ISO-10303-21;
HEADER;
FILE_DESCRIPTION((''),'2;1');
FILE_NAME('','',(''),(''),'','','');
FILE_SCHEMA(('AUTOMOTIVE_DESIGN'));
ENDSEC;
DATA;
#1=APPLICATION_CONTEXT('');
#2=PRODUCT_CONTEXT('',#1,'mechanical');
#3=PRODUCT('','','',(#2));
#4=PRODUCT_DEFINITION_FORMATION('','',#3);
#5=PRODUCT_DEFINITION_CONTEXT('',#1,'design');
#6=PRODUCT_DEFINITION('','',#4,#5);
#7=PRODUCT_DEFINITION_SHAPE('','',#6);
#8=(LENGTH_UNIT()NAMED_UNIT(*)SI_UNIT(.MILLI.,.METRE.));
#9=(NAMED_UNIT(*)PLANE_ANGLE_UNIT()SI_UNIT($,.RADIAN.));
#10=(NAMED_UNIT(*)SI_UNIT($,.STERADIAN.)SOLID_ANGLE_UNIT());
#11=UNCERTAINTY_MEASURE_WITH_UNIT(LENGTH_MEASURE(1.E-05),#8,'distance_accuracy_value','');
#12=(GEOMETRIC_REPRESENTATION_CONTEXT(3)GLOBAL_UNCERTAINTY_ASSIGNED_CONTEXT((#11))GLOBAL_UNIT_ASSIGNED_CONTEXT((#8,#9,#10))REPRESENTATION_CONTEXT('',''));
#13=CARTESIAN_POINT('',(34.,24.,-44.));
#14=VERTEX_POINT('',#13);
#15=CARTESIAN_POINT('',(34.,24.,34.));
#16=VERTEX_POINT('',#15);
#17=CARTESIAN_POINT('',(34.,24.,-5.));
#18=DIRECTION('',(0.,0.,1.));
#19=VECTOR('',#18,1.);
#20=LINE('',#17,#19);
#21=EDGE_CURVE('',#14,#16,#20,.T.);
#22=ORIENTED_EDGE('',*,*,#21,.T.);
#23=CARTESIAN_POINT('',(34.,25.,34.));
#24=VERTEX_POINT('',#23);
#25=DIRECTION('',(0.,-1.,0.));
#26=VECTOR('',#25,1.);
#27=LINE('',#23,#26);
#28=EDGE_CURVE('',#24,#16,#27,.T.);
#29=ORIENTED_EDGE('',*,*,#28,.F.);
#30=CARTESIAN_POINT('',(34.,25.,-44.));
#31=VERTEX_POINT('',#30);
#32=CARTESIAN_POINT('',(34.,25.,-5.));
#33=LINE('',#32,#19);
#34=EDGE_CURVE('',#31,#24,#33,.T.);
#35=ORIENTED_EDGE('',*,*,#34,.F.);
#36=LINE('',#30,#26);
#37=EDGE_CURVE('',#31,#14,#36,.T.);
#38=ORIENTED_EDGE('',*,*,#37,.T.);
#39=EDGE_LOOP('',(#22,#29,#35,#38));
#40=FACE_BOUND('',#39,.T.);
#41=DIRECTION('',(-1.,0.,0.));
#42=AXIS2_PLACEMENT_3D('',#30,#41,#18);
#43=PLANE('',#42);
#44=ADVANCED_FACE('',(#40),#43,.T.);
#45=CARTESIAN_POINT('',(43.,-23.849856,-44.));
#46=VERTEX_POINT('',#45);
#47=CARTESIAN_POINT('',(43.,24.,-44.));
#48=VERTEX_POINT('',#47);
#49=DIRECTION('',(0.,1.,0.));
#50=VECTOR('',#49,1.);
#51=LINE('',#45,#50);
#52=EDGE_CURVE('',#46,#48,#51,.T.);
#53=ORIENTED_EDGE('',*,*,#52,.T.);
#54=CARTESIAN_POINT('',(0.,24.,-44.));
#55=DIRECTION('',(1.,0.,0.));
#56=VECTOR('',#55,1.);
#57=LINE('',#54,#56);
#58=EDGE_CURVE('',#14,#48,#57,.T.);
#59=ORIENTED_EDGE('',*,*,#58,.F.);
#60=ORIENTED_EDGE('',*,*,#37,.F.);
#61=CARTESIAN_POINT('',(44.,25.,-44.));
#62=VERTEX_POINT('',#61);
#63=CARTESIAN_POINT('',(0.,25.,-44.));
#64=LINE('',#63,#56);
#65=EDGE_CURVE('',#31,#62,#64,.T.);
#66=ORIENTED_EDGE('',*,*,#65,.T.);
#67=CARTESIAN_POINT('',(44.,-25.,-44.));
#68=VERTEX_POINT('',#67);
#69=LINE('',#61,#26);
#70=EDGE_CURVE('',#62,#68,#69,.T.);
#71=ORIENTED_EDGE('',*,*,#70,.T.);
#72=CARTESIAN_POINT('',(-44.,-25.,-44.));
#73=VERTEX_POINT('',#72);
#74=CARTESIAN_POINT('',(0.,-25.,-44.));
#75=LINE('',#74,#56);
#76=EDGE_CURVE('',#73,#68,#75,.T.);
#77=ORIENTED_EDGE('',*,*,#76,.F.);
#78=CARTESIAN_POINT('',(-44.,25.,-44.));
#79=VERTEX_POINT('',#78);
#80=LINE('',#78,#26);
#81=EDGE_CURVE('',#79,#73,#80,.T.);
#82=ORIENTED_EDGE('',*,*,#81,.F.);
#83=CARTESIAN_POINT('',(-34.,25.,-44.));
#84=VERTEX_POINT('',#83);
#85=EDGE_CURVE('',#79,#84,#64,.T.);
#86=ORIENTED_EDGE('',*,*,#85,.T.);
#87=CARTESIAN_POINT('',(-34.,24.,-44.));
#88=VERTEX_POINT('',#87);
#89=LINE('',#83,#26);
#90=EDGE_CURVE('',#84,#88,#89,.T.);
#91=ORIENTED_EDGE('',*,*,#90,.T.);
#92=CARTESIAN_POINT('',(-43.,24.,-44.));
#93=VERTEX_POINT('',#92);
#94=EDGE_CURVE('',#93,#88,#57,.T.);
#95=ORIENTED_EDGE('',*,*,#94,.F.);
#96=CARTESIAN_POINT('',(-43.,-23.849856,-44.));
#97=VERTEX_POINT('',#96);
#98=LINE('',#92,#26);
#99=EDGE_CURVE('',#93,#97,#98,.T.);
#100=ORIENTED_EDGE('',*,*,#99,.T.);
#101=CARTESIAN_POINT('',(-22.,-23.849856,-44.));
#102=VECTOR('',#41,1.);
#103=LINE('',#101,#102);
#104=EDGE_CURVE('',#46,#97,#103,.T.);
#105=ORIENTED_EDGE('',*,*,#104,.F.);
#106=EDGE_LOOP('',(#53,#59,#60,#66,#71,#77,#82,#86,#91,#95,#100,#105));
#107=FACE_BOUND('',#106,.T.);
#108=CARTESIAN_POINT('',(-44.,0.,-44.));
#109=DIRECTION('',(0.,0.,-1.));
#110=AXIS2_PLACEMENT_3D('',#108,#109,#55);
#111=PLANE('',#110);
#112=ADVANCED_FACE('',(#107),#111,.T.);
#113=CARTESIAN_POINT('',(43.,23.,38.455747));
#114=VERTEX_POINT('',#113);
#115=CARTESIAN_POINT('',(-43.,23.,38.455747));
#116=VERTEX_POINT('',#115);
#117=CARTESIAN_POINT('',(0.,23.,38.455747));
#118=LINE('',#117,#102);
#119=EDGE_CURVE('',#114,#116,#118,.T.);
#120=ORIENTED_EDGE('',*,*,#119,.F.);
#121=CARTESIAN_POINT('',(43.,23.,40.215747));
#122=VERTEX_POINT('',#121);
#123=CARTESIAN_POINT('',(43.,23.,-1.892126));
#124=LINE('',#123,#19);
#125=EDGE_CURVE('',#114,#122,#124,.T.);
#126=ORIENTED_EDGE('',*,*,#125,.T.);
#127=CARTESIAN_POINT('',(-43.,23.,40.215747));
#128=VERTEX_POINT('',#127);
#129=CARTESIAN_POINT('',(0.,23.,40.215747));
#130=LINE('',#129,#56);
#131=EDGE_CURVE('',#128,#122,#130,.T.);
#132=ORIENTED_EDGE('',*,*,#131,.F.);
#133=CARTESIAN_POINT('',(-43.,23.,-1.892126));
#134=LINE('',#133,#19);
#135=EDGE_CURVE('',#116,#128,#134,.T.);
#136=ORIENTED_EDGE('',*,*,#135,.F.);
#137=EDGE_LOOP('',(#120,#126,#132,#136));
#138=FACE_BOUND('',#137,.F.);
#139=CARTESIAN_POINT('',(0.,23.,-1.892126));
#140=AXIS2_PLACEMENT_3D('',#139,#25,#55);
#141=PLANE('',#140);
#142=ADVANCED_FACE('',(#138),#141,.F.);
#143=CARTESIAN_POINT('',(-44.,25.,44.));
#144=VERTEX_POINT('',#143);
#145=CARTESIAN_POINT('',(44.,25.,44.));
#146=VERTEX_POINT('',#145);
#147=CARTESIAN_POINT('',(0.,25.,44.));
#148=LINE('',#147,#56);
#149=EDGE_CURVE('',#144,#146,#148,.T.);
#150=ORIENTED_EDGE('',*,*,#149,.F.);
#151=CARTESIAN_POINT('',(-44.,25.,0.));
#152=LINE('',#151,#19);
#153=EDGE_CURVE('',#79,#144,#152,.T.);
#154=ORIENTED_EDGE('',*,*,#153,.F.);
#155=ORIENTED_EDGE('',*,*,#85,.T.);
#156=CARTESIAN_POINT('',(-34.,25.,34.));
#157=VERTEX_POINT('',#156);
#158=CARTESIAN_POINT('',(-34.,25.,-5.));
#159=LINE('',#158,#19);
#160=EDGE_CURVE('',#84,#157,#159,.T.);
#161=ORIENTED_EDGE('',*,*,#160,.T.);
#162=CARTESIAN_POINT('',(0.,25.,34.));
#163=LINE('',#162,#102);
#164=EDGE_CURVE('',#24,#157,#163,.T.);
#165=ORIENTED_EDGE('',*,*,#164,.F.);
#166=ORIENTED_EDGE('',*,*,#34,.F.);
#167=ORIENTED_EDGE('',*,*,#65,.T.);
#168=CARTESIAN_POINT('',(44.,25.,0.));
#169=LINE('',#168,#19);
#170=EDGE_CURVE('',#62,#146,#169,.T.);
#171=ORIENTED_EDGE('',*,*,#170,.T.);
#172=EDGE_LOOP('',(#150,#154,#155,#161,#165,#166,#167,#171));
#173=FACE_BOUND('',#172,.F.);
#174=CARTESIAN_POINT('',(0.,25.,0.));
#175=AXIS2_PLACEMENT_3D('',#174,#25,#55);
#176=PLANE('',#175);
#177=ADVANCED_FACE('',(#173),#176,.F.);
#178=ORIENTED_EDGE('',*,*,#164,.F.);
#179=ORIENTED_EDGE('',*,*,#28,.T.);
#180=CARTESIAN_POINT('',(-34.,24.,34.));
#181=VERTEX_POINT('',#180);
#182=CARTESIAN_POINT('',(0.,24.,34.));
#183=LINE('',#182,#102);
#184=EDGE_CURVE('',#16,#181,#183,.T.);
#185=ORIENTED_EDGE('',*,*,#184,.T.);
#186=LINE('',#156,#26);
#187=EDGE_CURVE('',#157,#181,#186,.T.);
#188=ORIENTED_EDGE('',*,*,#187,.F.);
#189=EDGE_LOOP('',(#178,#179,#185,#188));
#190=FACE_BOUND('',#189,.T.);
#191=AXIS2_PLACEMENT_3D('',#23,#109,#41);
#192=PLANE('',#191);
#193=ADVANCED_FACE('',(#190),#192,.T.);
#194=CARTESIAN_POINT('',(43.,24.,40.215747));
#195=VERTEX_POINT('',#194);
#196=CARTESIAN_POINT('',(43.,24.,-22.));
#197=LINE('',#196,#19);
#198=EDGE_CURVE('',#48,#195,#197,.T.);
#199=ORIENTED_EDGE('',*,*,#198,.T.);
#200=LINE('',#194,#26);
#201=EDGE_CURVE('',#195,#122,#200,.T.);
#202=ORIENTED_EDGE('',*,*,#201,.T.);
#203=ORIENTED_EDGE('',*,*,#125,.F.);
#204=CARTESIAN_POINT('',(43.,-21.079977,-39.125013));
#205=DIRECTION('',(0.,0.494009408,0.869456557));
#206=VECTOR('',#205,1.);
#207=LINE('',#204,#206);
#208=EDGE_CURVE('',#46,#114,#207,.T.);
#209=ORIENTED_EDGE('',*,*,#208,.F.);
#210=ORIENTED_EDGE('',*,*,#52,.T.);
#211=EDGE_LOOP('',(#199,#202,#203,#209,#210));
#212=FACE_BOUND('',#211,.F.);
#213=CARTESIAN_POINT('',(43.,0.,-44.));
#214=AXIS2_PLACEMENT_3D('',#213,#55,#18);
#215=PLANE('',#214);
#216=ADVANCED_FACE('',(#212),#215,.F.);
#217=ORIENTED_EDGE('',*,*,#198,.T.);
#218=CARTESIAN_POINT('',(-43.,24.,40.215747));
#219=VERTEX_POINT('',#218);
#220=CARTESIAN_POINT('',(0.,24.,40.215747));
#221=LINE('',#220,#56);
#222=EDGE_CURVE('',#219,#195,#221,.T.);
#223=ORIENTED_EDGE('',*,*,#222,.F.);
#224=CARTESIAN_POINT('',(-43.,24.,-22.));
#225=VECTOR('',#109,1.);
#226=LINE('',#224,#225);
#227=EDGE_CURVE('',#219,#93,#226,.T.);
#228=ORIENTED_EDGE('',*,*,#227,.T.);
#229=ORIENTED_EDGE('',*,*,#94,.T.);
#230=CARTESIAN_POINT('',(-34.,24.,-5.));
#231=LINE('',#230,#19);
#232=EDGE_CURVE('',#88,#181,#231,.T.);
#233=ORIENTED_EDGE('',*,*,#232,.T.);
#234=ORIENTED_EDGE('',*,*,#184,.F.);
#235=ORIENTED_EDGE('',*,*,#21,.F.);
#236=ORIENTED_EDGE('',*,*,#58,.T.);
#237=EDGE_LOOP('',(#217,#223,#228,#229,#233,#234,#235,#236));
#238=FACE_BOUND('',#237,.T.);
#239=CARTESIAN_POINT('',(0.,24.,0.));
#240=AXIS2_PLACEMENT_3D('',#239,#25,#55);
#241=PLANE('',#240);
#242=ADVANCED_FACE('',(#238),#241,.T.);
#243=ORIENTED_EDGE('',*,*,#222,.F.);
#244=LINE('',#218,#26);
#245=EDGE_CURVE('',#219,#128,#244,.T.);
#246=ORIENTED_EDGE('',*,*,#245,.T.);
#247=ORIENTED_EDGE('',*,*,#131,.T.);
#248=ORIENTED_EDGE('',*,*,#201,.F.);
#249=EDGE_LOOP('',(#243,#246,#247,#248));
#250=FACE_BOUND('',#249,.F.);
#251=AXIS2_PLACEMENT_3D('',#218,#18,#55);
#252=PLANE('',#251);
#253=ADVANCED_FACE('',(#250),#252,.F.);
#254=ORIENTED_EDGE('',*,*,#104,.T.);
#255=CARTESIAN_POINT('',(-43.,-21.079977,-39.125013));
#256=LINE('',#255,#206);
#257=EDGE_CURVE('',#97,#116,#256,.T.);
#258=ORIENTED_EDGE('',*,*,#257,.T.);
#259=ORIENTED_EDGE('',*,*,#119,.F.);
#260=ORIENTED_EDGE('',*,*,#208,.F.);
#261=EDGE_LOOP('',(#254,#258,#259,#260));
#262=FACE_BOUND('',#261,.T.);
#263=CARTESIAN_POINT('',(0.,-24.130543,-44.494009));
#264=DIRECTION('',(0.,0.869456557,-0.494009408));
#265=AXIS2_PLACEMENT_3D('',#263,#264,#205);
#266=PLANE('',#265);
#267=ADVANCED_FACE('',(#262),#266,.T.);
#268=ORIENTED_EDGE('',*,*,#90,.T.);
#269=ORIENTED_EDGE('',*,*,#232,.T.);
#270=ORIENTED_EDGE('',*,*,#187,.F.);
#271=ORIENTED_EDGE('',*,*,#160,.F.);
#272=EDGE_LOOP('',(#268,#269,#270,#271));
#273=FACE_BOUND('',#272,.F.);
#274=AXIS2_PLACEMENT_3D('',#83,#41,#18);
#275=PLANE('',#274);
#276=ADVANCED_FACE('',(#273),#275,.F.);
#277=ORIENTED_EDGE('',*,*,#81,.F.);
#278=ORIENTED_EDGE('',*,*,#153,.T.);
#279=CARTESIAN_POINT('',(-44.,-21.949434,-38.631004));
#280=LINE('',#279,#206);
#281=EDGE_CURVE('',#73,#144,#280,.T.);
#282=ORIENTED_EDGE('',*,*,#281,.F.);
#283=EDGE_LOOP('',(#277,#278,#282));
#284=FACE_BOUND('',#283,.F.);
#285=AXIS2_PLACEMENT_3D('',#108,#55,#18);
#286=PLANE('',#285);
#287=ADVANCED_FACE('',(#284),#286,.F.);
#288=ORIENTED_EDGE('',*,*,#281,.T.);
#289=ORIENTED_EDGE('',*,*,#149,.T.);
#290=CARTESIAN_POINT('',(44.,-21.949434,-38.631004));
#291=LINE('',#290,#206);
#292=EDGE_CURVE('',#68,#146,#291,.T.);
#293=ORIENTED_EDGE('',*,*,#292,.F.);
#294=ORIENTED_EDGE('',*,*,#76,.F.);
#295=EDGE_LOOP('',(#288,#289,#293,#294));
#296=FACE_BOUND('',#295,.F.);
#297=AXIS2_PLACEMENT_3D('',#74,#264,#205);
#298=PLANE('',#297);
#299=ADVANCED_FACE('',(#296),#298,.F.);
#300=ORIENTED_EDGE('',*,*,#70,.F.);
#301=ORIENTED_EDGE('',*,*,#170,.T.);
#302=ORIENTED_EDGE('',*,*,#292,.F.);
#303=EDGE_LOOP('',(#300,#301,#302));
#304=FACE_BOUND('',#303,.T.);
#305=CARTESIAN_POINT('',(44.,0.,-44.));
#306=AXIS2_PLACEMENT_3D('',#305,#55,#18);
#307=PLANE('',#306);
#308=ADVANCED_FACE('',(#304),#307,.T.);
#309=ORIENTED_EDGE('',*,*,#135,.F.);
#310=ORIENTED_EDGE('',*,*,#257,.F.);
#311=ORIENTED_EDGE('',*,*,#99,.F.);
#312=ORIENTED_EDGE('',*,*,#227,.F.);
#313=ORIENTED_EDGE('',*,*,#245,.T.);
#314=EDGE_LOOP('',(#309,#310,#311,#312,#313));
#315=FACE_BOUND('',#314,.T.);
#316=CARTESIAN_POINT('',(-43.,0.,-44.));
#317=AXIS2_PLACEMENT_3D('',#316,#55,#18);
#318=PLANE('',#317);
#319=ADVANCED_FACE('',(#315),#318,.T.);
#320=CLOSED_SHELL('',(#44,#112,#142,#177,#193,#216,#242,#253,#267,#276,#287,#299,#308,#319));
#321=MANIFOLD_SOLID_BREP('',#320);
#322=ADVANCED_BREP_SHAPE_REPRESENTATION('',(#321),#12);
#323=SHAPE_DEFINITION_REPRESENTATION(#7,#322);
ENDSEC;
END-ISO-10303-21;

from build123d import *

# Parameters (mm, degrees)
F0_W      = 88
F0_H      = 88
F1_DEPTH  = 25
F3_DEPTH  = 50
F4_T      = -1
F5_W      = 68
F5_H      = 78
F4_FACE_W = 86
F4_FACE_H = 84.2157470514
F6_DEPTH  = 1


with BuildPart() as f1:
    # F0 (on Front) → F1 (new body, symmetric)
    with BuildSketch(Plane.XZ):
        Rectangle(F0_W, F0_H)
    extrude(amount=F1_DEPTH, both=True)

    # F2 (on Right) → F3 (cut, symmetric)
    with BuildSketch(Plane.YZ):
        Polygon((-25, -44), (25, 44), (-25, 44), align=None)
    extrude(amount=F3_DEPTH, both=True, mode=Mode.SUBTRACT)

    # F4
    f4_openings = [f1.faces().sort_by_distance(p)[0] for p in [
        (0, 0, -44),
    ]]
    offset(amount=F4_T, openings=f4_openings)

    # F5 (on face) + F4_face (on face) → F6 (cut)
    with BuildSketch(Plane(origin=(0, 25, 0), x_dir=(-1, 0, 0), z_dir=(0, 1, 0))):
        with Locations((0, -5)):
            Rectangle(F5_W, F5_H)
    with BuildSketch(Plane(origin=(0, 24, -1.8921264743), x_dir=(1, 0, 0), z_dir=(0, -1, 0))):
        Rectangle(F4_FACE_W, F4_FACE_H)
    extrude(amount=-F6_DEPTH, dir=(0, 1, 0), mode=Mode.SUBTRACT)


solid = f1.part
